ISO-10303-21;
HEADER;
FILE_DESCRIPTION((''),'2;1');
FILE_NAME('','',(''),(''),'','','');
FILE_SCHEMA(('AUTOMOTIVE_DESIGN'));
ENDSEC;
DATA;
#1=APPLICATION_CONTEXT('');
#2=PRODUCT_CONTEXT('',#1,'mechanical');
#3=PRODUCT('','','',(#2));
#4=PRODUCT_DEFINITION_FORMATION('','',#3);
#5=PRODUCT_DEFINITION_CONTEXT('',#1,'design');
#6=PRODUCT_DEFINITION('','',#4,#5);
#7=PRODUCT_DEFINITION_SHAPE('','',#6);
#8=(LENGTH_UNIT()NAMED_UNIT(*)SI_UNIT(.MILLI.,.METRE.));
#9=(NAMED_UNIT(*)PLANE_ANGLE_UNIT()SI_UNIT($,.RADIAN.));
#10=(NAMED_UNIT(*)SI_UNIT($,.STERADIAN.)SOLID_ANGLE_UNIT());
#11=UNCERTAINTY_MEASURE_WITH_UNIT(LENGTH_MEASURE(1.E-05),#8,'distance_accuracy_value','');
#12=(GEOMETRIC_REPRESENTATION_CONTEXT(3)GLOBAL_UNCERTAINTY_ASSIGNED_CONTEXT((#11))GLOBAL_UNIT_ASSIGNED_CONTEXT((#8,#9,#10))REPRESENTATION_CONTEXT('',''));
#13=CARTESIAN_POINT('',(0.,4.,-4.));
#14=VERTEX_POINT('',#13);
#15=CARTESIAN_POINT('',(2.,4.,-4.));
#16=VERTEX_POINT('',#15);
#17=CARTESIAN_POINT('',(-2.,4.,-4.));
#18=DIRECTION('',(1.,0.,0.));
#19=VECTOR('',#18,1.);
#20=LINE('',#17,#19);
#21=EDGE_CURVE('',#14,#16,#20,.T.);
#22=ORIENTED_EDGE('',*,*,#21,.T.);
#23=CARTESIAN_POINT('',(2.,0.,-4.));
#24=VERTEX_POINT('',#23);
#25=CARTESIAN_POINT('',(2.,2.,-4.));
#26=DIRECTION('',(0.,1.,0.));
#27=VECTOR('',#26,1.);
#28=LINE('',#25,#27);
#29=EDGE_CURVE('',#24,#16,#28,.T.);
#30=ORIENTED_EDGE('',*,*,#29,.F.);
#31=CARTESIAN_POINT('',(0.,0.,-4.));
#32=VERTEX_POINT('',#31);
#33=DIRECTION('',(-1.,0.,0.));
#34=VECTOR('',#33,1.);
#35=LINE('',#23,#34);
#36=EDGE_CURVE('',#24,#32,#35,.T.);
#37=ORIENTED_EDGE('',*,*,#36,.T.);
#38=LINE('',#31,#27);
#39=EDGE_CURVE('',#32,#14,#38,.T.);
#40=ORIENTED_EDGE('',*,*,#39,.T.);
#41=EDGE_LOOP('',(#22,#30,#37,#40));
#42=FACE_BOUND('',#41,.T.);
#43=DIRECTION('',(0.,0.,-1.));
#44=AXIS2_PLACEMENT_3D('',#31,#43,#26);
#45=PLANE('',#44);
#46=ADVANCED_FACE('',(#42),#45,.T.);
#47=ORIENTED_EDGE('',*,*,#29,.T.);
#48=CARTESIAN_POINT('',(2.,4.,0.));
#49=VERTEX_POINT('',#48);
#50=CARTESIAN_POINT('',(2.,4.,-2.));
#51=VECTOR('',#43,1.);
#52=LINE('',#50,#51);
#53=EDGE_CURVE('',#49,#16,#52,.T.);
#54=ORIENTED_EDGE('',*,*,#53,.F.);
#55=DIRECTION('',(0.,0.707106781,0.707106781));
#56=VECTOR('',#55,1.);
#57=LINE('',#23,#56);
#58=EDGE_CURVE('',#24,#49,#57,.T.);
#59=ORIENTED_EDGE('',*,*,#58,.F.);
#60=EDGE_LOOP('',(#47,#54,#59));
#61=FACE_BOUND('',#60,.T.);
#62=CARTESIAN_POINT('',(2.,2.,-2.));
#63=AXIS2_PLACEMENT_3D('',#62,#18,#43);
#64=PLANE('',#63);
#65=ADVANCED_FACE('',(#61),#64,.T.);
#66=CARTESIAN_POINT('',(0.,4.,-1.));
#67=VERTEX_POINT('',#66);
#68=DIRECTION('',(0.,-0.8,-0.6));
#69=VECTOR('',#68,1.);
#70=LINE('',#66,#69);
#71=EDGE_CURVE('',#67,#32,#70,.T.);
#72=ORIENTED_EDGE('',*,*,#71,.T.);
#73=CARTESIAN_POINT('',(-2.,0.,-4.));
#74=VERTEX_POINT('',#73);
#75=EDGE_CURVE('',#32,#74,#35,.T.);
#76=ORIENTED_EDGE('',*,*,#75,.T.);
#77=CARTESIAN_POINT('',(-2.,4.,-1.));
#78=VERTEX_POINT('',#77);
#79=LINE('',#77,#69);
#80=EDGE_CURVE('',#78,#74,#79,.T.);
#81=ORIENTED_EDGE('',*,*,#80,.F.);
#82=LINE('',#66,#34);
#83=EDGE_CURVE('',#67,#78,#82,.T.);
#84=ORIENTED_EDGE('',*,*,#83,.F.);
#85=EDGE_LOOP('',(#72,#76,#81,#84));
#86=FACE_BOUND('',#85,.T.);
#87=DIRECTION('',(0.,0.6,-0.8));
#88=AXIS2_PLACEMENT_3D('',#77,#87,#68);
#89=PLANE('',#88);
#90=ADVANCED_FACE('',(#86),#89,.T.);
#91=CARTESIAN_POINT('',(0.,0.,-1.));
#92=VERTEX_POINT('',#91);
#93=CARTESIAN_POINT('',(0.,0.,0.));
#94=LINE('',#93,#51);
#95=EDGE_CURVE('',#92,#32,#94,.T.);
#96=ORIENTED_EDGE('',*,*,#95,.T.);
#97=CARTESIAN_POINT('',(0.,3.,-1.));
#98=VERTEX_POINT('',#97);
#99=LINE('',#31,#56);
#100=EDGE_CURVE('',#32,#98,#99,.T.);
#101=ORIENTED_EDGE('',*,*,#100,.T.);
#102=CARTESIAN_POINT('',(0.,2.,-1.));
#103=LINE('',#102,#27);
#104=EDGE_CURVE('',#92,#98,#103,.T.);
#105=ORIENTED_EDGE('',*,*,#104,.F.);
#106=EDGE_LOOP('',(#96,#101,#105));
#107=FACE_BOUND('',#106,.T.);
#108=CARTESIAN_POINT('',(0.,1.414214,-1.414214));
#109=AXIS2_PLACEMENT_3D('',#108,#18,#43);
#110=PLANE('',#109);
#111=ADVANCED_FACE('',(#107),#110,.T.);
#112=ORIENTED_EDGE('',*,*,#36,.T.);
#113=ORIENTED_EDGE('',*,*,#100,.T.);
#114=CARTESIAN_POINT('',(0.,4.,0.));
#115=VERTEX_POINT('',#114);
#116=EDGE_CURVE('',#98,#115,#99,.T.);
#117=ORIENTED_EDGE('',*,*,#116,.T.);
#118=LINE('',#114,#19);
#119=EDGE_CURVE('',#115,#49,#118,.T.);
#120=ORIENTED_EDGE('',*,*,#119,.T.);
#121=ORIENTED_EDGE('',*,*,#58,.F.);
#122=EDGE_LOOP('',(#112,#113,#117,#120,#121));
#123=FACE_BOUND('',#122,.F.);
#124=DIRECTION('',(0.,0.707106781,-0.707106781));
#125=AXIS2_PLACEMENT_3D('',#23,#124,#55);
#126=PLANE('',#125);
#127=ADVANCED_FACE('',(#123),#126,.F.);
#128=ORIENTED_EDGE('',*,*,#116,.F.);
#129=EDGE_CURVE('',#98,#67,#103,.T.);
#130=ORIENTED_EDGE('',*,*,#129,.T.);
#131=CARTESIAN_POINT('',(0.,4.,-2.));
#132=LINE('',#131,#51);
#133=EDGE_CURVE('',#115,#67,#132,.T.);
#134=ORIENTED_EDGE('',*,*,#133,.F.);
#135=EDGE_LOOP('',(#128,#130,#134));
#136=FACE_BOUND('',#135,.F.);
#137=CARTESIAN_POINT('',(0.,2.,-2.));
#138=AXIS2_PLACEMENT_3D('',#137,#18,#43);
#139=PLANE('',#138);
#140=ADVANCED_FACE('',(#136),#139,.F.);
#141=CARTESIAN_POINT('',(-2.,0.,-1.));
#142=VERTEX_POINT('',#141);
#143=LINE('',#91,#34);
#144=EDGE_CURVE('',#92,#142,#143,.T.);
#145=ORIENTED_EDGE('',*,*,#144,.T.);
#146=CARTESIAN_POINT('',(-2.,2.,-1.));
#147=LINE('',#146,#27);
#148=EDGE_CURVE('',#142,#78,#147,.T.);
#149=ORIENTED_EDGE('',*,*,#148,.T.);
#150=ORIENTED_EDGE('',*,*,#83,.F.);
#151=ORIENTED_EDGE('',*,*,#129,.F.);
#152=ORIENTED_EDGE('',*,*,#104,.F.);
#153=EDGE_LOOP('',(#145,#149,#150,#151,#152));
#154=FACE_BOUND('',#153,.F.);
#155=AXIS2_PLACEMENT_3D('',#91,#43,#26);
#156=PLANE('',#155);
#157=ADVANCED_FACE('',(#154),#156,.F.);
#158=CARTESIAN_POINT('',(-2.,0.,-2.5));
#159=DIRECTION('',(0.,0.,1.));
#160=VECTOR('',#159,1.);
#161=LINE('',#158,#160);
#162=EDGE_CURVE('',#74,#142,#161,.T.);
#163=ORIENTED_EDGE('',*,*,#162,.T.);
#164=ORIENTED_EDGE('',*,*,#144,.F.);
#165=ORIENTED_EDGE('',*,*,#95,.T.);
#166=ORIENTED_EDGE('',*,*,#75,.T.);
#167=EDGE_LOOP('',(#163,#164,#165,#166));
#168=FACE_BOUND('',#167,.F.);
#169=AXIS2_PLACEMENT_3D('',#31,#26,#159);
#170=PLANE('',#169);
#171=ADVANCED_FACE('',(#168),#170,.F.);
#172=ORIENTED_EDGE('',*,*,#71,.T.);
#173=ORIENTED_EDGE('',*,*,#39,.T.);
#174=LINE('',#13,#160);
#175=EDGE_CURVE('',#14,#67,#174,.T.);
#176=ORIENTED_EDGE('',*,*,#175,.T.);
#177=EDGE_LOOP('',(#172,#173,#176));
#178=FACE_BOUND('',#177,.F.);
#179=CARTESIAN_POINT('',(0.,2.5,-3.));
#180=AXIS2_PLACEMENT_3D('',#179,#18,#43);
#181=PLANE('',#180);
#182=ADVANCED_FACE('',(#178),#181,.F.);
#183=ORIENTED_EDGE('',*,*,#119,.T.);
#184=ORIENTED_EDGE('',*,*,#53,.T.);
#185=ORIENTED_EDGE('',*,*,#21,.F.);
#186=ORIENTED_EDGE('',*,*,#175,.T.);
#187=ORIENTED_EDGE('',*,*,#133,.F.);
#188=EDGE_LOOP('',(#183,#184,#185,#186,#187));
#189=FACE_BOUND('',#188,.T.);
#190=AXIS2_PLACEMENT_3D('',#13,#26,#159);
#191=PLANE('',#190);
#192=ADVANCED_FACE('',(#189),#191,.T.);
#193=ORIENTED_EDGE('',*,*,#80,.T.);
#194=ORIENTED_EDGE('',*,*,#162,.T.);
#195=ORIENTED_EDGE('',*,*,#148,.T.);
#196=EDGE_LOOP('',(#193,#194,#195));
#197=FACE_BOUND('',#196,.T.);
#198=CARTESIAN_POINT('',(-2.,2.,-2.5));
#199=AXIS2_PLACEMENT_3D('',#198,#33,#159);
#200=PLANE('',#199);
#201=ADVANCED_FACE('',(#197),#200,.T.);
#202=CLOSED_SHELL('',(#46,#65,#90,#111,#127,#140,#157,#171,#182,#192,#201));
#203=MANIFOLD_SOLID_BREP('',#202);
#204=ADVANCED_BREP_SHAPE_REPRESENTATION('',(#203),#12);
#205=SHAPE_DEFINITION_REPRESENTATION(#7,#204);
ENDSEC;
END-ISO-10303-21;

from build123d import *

# Parameters (mm, degrees)
SKETCH1_W           = 4
SKETCH1_H           = 4
BOSS_EXTRUDE1_DEPTH = 2
SKETCH2_W           = 3
SKETCH2_H           = 4
BOSS_EXTRUDE2_DEPTH = 2
CUT_EXTRUDE1_DEPTH  = 2
CUT_EXTRUDE2_DEPTH  = 2


with BuildPart() as part:
    # Sketch1 → Boss-Extrude1 (new body)
    with BuildSketch(Plane(origin=(0, 0, 0), x_dir=(0, 0, -1), z_dir=(1, 0, 0))):
        with Locations((2, 2)):
            Rectangle(SKETCH1_W, SKETCH1_H)
    extrude(amount=BOSS_EXTRUDE1_DEPTH)

    # Sketch2 → Boss-Extrude2 (add)
    with BuildSketch(Plane.ZY):
        with Locations((-2.5, 2)):
            Rectangle(SKETCH2_W, SKETCH2_H)
    extrude(amount=BOSS_EXTRUDE2_DEPTH)

    # Sketch3 → Cut-Extrude1 (cut)
    with BuildSketch(Plane.ZY.offset(2)):
        Polygon((-1, 4), (-4, 0), (-4, 4), align=None)
    extrude(amount=-CUT_EXTRUDE1_DEPTH, mode=Mode.SUBTRACT)

    # Sketch4 → Cut-Extrude2 (cut)
    with BuildSketch(Plane(origin=(2, 0, 0), x_dir=(0, 0, -1), z_dir=(1, 0, 0))):
        Polygon((4, 0), (0, 4), (0, 0), align=None)
    extrude(amount=-CUT_EXTRUDE2_DEPTH, mode=Mode.SUBTRACT)


solid = part.part
